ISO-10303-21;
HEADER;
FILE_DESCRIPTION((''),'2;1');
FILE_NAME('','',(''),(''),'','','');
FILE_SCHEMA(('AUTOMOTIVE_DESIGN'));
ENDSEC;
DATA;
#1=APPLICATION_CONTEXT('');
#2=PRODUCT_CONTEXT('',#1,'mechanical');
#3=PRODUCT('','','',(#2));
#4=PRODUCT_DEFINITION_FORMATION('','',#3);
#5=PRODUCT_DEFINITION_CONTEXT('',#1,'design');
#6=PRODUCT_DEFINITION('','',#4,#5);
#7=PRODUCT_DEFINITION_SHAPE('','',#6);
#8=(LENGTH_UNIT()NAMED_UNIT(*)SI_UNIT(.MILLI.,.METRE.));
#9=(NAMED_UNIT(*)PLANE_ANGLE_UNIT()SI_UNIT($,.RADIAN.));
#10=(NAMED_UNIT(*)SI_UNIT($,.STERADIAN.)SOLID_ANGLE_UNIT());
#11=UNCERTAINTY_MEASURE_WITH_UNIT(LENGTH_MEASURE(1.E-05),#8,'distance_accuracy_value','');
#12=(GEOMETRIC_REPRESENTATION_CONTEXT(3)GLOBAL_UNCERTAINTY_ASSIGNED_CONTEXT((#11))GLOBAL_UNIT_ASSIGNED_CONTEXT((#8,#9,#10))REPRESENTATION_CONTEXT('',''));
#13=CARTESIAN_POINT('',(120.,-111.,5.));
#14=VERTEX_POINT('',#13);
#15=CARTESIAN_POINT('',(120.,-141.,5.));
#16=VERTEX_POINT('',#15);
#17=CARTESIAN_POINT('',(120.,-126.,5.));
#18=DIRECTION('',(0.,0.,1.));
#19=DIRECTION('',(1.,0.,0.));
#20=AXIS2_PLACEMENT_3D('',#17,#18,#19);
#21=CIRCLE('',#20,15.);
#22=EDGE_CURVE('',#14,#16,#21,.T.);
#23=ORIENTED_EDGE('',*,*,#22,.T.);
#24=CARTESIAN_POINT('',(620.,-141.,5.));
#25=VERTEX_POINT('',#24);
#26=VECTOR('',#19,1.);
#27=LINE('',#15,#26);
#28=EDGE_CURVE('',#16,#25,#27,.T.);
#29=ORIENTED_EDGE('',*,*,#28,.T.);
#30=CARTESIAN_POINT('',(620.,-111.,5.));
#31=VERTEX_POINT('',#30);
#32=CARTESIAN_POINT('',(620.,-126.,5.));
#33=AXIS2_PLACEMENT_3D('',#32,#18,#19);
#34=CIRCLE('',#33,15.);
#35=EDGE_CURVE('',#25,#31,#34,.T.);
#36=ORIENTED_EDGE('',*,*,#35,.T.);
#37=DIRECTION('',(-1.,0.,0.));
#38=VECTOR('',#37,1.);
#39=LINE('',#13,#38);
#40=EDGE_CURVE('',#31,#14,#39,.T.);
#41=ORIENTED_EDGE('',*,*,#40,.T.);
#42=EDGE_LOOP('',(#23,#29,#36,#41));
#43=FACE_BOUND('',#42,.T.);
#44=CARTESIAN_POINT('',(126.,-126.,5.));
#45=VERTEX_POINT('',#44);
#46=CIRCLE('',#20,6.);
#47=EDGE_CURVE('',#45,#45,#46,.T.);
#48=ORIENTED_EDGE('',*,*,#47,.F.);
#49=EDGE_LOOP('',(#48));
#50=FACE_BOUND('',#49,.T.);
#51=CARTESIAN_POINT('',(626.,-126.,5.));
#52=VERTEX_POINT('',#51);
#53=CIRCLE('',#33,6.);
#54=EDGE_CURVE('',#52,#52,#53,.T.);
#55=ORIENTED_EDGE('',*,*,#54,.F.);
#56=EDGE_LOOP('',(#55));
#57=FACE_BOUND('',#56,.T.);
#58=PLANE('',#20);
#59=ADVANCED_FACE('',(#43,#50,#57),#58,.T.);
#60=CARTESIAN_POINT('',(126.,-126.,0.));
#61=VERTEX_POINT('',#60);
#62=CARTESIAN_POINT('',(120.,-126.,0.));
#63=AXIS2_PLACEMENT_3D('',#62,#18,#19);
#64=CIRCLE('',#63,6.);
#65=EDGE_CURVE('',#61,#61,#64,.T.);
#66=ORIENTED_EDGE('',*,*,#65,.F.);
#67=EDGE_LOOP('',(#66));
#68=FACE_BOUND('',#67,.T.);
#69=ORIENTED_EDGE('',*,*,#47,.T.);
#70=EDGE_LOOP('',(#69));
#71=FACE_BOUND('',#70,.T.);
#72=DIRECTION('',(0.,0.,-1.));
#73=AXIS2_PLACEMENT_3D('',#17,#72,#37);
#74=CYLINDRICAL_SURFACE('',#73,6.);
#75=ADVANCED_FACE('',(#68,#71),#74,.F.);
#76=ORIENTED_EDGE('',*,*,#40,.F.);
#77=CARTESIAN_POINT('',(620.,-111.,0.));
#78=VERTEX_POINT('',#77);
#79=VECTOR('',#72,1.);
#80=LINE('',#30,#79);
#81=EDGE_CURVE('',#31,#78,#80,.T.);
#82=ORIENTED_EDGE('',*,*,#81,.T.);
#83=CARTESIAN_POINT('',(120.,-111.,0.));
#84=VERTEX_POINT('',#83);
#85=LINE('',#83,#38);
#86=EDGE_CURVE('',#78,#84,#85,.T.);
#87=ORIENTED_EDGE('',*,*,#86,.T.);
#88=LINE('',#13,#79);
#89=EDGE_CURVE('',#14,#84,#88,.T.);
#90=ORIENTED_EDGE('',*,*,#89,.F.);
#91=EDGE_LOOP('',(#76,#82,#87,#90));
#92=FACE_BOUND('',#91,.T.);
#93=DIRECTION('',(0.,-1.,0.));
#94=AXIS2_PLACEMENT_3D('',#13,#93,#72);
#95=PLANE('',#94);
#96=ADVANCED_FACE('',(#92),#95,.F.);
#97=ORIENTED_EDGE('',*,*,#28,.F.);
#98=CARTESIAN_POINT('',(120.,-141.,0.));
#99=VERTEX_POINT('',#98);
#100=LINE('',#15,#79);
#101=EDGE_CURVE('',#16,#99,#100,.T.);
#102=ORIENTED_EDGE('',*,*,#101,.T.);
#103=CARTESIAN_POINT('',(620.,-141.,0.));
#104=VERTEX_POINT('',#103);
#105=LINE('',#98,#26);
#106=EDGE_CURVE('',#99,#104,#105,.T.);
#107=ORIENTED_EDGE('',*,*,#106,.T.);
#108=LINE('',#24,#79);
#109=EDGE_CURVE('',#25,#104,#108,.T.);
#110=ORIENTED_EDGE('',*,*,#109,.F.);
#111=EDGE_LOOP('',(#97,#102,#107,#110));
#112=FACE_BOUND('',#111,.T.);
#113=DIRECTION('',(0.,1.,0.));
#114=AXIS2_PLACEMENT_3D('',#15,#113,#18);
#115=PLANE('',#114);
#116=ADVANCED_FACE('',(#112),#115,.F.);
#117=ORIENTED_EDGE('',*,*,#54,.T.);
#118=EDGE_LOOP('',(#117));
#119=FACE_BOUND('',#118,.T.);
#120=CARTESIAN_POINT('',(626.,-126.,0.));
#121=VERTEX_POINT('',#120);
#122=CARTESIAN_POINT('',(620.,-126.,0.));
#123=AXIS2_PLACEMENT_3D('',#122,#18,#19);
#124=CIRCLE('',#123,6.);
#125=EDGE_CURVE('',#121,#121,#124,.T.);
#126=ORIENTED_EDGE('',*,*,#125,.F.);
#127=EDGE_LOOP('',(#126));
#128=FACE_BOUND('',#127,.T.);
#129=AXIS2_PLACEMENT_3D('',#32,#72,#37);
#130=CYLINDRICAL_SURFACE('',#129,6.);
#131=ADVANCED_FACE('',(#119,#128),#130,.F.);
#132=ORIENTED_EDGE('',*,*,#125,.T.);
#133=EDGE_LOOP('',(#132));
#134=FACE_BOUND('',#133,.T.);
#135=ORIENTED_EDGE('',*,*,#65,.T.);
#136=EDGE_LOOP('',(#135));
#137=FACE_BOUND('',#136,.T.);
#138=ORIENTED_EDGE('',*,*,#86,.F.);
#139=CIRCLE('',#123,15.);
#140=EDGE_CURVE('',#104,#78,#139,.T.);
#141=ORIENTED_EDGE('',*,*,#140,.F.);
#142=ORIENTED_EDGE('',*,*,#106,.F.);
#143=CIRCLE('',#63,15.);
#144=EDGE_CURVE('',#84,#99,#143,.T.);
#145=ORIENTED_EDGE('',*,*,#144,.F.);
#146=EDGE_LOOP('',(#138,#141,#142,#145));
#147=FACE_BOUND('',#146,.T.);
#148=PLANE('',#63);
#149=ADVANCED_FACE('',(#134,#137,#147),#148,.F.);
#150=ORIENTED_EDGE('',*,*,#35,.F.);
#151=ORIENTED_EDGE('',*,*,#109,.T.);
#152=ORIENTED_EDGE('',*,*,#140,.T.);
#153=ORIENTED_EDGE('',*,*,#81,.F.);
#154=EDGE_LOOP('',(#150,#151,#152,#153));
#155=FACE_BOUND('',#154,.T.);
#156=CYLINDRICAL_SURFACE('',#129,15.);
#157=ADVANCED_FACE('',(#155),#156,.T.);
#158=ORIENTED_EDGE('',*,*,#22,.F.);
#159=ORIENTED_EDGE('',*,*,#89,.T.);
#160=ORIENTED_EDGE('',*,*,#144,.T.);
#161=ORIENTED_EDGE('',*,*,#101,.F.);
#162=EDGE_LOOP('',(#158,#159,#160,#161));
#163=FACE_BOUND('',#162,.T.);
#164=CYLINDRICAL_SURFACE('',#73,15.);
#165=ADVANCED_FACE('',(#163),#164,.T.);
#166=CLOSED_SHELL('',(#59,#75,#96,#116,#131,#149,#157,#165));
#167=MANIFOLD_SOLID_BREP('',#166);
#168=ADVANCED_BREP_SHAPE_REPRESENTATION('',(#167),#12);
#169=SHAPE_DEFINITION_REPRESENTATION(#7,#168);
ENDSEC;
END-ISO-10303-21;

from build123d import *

# Parameters (mm, degrees)
SKETCH1_R           = 6
BOSS_EXTRUDE1_DEPTH = 5


with BuildPart() as part:
    # Sketch1 → Boss-Extrude1 (new body)
    with BuildSketch(Plane.XY):
        with BuildLine():
            Line((120, -111), (620, -111))
            ThreePointArc((620, -111), (635, -126), (620, -141))
            Line((620, -141), (120, -141))
            ThreePointArc((120, -141), (105, -126), (120, -111))
        make_face()
        with Locations((120, -126)):
            Circle(SKETCH1_R, mode=Mode.SUBTRACT)
        with Locations((620, -126)):
            Circle(SKETCH1_R, mode=Mode.SUBTRACT)
    extrude(amount=BOSS_EXTRUDE1_DEPTH)


solid = part.part
